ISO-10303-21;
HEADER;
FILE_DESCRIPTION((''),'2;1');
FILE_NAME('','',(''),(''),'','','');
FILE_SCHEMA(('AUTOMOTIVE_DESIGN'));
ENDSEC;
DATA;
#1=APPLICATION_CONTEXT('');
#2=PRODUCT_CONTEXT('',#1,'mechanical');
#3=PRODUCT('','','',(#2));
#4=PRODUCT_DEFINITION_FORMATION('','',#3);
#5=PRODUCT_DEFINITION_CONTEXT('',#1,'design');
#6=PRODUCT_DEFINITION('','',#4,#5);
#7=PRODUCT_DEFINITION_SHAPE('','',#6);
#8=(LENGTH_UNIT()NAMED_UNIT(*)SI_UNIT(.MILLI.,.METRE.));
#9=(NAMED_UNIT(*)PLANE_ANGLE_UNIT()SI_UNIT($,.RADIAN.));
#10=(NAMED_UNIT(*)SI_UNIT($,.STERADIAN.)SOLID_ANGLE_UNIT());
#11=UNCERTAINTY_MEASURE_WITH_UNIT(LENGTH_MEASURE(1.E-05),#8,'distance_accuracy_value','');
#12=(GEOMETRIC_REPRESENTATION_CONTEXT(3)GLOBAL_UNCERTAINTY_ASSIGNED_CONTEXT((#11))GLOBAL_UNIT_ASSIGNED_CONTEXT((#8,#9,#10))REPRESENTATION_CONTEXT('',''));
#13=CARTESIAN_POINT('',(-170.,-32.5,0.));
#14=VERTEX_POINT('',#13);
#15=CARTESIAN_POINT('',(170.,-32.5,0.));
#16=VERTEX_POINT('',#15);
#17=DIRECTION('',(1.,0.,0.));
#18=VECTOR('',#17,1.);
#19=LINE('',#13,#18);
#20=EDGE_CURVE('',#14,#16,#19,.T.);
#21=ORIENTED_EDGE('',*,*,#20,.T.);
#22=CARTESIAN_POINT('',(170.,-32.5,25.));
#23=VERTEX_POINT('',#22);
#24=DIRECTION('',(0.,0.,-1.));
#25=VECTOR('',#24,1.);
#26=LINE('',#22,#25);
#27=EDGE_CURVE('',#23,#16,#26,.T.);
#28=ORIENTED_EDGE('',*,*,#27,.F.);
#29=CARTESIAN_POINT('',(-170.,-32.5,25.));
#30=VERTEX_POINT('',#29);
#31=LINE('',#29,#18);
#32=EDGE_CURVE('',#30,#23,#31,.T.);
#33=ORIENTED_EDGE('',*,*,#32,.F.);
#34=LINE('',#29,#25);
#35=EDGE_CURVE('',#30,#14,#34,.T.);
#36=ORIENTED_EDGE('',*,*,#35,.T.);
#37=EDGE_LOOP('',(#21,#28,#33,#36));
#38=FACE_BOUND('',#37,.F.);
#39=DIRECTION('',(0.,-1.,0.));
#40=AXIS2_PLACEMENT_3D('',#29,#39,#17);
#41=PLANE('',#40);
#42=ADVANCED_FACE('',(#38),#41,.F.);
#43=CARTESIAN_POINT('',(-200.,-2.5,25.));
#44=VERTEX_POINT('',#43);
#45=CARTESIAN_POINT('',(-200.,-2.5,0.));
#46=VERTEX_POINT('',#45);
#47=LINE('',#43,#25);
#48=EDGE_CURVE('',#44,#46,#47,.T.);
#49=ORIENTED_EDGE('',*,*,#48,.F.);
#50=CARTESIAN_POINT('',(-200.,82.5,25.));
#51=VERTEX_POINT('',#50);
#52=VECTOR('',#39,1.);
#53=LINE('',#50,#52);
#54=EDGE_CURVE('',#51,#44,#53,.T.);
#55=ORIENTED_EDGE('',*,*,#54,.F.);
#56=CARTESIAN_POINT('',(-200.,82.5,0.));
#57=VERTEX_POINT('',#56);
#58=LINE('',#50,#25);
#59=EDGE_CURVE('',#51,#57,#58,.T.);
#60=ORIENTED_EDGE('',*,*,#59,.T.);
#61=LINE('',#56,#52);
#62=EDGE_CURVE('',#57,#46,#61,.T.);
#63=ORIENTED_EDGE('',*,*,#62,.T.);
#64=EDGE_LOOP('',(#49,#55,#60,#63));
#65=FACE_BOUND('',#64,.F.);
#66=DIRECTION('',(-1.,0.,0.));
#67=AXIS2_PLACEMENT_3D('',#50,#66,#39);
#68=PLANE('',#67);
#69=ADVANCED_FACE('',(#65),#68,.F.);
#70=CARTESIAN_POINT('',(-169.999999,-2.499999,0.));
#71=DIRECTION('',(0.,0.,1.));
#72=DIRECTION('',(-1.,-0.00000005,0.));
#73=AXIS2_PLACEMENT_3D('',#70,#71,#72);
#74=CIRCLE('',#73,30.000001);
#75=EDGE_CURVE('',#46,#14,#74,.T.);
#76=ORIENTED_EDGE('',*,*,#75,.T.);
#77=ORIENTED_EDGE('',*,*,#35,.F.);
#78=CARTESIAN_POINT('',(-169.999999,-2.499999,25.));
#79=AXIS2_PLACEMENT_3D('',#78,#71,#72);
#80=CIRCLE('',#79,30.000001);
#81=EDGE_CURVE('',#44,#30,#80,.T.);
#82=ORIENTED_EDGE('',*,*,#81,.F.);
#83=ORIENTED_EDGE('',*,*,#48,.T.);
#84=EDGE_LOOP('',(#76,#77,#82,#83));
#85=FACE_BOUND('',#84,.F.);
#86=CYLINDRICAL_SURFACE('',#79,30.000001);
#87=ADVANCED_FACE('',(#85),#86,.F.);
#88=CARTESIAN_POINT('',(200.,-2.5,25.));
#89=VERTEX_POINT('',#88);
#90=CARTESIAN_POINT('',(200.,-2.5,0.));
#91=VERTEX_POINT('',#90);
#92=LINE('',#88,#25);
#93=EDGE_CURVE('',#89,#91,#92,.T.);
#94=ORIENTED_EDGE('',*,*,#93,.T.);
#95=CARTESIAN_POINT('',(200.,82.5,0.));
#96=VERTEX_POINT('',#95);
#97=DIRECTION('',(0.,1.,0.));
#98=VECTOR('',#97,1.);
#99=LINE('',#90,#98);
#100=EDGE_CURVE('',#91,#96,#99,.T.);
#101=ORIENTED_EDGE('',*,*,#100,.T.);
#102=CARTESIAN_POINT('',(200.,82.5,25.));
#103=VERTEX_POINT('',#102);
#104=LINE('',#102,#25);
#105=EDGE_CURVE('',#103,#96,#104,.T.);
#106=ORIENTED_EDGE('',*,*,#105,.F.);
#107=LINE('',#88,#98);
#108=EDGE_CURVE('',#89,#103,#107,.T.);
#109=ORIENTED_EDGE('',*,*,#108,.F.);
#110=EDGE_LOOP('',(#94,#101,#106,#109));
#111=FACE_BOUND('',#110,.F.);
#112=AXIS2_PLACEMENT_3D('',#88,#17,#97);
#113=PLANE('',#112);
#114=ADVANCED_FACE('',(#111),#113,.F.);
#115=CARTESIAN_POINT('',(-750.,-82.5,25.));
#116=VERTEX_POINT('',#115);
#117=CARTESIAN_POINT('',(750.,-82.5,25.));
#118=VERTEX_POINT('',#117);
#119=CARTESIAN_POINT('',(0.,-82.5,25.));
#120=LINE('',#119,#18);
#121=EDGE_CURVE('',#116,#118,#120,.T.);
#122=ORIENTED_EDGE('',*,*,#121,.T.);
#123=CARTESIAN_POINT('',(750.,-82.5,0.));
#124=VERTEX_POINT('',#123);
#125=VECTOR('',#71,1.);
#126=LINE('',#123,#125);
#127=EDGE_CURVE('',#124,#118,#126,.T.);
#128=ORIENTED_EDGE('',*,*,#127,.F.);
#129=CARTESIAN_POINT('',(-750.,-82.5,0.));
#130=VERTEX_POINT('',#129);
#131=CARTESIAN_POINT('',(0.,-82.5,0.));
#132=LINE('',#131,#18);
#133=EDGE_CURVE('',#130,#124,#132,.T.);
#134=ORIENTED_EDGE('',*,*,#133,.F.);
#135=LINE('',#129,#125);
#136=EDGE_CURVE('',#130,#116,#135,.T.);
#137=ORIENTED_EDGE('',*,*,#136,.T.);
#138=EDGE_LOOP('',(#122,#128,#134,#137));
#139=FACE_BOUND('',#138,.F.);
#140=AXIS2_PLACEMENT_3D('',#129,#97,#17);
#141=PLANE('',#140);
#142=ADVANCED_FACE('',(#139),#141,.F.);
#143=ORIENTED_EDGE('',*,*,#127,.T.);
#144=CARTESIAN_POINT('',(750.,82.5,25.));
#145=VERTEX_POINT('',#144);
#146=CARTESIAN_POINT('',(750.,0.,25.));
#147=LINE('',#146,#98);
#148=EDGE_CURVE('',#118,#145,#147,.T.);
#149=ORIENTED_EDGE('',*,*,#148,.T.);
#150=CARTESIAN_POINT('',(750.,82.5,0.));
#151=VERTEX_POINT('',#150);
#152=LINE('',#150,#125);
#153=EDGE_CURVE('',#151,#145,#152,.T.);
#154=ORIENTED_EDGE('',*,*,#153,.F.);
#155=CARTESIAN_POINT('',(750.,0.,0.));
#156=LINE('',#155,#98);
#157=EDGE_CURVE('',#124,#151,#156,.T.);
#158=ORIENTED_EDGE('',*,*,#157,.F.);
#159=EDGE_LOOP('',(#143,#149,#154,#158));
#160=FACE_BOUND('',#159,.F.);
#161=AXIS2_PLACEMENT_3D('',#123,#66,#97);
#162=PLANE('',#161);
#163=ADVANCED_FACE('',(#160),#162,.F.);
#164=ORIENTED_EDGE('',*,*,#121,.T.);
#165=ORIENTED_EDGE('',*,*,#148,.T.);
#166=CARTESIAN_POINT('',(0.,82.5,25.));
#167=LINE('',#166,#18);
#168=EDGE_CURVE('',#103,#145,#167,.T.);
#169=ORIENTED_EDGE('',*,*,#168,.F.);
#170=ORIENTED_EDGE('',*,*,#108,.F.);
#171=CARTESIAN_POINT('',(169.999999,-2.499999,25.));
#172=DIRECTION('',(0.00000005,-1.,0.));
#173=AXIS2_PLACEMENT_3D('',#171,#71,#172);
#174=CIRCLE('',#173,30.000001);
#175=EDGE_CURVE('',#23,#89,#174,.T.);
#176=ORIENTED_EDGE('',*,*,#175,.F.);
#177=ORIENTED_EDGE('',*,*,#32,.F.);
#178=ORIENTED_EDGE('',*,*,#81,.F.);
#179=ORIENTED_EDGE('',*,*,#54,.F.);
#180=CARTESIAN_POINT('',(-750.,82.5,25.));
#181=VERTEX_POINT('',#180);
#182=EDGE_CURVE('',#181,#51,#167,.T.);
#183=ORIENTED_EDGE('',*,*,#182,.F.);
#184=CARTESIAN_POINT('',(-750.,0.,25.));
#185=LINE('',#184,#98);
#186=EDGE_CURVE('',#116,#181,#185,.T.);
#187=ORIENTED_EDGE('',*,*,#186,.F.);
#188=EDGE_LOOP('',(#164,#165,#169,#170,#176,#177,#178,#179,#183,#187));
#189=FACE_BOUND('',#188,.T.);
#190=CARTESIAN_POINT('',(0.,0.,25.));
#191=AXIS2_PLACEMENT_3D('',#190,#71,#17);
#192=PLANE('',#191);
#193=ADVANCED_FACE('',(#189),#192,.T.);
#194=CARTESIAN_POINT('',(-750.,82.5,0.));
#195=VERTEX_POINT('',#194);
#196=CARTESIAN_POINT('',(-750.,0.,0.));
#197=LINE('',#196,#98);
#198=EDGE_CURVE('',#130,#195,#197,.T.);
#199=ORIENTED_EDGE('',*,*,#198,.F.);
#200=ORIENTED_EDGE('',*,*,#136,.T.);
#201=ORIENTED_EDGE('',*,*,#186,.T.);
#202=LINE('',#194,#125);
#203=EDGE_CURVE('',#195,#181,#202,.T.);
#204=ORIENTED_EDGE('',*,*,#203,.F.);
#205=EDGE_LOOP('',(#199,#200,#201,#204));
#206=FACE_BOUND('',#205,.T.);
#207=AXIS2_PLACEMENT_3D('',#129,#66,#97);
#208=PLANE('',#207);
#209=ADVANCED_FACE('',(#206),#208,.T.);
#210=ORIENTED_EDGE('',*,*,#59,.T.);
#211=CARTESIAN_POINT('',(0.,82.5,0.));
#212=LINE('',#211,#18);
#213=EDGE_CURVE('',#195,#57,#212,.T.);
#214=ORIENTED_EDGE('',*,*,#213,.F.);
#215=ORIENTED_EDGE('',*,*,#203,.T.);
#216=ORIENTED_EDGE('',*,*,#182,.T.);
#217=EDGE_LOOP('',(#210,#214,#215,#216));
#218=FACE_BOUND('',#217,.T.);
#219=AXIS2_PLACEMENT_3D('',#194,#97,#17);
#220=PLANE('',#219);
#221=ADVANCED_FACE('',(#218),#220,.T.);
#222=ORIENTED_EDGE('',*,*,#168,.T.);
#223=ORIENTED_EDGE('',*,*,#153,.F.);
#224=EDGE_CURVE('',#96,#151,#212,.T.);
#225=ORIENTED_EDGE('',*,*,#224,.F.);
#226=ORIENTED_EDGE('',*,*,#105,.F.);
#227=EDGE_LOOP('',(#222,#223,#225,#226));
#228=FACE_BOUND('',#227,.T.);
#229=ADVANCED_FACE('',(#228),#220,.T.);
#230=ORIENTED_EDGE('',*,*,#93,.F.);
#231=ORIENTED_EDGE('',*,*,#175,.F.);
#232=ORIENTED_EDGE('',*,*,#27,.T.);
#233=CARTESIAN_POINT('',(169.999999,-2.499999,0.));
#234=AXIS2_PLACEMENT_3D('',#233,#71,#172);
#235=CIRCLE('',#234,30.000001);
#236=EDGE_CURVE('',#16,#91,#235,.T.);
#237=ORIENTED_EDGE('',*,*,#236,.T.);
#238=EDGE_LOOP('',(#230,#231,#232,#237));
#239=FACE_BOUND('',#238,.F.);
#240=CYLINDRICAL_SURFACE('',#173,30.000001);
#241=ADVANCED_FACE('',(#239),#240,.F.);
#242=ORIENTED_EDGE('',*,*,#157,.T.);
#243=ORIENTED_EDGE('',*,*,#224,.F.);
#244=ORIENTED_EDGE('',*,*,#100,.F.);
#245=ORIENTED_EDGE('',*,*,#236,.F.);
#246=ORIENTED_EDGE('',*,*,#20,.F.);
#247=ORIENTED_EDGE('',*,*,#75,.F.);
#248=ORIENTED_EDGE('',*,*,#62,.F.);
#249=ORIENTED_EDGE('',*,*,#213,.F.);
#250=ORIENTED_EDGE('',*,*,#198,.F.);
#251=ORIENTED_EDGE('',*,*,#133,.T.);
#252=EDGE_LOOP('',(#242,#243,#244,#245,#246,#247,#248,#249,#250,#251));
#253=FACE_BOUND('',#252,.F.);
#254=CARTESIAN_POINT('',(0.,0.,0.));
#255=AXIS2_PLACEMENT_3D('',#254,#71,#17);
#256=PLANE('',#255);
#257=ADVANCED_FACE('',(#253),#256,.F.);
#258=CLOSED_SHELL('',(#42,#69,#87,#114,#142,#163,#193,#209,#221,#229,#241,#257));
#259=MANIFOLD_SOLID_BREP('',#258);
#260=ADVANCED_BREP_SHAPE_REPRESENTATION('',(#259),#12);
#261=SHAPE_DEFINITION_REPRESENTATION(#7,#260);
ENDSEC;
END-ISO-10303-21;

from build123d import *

# Parameters (mm, degrees)
F0_W     = 1500
F0_H     = 165
F1_DEPTH = 25
F3_DEPTH = 25


with BuildPart() as f1:
    # F0 (on Top) → F1 (new body)
    with BuildSketch(Plane.XY):
        Rectangle(F0_W, F0_H)
    extrude(amount=F1_DEPTH)

    # F2 (on face) → F3 (cut, through all)
    with BuildSketch(Plane.XY.offset(25)):
        with BuildLine():
            Line((200, 82.5), (-200, 82.5))
            Line((-200, 82.5), (-200, -2.5))
            ThreePointArc((-200, -2.5), (-191.213203, -23.713203), (-170, -32.5))
            Line((-170, -32.5), (0, -32.5))
            Line((0, -32.5), (170, -32.5))
            ThreePointArc((170, -32.5), (191.213203, -23.713203), (200, -2.5))
            Line((200, -2.5), (200, 82.5))
        make_face()
    extrude(amount=-F3_DEPTH, mode=Mode.SUBTRACT)


solid = f1.part
